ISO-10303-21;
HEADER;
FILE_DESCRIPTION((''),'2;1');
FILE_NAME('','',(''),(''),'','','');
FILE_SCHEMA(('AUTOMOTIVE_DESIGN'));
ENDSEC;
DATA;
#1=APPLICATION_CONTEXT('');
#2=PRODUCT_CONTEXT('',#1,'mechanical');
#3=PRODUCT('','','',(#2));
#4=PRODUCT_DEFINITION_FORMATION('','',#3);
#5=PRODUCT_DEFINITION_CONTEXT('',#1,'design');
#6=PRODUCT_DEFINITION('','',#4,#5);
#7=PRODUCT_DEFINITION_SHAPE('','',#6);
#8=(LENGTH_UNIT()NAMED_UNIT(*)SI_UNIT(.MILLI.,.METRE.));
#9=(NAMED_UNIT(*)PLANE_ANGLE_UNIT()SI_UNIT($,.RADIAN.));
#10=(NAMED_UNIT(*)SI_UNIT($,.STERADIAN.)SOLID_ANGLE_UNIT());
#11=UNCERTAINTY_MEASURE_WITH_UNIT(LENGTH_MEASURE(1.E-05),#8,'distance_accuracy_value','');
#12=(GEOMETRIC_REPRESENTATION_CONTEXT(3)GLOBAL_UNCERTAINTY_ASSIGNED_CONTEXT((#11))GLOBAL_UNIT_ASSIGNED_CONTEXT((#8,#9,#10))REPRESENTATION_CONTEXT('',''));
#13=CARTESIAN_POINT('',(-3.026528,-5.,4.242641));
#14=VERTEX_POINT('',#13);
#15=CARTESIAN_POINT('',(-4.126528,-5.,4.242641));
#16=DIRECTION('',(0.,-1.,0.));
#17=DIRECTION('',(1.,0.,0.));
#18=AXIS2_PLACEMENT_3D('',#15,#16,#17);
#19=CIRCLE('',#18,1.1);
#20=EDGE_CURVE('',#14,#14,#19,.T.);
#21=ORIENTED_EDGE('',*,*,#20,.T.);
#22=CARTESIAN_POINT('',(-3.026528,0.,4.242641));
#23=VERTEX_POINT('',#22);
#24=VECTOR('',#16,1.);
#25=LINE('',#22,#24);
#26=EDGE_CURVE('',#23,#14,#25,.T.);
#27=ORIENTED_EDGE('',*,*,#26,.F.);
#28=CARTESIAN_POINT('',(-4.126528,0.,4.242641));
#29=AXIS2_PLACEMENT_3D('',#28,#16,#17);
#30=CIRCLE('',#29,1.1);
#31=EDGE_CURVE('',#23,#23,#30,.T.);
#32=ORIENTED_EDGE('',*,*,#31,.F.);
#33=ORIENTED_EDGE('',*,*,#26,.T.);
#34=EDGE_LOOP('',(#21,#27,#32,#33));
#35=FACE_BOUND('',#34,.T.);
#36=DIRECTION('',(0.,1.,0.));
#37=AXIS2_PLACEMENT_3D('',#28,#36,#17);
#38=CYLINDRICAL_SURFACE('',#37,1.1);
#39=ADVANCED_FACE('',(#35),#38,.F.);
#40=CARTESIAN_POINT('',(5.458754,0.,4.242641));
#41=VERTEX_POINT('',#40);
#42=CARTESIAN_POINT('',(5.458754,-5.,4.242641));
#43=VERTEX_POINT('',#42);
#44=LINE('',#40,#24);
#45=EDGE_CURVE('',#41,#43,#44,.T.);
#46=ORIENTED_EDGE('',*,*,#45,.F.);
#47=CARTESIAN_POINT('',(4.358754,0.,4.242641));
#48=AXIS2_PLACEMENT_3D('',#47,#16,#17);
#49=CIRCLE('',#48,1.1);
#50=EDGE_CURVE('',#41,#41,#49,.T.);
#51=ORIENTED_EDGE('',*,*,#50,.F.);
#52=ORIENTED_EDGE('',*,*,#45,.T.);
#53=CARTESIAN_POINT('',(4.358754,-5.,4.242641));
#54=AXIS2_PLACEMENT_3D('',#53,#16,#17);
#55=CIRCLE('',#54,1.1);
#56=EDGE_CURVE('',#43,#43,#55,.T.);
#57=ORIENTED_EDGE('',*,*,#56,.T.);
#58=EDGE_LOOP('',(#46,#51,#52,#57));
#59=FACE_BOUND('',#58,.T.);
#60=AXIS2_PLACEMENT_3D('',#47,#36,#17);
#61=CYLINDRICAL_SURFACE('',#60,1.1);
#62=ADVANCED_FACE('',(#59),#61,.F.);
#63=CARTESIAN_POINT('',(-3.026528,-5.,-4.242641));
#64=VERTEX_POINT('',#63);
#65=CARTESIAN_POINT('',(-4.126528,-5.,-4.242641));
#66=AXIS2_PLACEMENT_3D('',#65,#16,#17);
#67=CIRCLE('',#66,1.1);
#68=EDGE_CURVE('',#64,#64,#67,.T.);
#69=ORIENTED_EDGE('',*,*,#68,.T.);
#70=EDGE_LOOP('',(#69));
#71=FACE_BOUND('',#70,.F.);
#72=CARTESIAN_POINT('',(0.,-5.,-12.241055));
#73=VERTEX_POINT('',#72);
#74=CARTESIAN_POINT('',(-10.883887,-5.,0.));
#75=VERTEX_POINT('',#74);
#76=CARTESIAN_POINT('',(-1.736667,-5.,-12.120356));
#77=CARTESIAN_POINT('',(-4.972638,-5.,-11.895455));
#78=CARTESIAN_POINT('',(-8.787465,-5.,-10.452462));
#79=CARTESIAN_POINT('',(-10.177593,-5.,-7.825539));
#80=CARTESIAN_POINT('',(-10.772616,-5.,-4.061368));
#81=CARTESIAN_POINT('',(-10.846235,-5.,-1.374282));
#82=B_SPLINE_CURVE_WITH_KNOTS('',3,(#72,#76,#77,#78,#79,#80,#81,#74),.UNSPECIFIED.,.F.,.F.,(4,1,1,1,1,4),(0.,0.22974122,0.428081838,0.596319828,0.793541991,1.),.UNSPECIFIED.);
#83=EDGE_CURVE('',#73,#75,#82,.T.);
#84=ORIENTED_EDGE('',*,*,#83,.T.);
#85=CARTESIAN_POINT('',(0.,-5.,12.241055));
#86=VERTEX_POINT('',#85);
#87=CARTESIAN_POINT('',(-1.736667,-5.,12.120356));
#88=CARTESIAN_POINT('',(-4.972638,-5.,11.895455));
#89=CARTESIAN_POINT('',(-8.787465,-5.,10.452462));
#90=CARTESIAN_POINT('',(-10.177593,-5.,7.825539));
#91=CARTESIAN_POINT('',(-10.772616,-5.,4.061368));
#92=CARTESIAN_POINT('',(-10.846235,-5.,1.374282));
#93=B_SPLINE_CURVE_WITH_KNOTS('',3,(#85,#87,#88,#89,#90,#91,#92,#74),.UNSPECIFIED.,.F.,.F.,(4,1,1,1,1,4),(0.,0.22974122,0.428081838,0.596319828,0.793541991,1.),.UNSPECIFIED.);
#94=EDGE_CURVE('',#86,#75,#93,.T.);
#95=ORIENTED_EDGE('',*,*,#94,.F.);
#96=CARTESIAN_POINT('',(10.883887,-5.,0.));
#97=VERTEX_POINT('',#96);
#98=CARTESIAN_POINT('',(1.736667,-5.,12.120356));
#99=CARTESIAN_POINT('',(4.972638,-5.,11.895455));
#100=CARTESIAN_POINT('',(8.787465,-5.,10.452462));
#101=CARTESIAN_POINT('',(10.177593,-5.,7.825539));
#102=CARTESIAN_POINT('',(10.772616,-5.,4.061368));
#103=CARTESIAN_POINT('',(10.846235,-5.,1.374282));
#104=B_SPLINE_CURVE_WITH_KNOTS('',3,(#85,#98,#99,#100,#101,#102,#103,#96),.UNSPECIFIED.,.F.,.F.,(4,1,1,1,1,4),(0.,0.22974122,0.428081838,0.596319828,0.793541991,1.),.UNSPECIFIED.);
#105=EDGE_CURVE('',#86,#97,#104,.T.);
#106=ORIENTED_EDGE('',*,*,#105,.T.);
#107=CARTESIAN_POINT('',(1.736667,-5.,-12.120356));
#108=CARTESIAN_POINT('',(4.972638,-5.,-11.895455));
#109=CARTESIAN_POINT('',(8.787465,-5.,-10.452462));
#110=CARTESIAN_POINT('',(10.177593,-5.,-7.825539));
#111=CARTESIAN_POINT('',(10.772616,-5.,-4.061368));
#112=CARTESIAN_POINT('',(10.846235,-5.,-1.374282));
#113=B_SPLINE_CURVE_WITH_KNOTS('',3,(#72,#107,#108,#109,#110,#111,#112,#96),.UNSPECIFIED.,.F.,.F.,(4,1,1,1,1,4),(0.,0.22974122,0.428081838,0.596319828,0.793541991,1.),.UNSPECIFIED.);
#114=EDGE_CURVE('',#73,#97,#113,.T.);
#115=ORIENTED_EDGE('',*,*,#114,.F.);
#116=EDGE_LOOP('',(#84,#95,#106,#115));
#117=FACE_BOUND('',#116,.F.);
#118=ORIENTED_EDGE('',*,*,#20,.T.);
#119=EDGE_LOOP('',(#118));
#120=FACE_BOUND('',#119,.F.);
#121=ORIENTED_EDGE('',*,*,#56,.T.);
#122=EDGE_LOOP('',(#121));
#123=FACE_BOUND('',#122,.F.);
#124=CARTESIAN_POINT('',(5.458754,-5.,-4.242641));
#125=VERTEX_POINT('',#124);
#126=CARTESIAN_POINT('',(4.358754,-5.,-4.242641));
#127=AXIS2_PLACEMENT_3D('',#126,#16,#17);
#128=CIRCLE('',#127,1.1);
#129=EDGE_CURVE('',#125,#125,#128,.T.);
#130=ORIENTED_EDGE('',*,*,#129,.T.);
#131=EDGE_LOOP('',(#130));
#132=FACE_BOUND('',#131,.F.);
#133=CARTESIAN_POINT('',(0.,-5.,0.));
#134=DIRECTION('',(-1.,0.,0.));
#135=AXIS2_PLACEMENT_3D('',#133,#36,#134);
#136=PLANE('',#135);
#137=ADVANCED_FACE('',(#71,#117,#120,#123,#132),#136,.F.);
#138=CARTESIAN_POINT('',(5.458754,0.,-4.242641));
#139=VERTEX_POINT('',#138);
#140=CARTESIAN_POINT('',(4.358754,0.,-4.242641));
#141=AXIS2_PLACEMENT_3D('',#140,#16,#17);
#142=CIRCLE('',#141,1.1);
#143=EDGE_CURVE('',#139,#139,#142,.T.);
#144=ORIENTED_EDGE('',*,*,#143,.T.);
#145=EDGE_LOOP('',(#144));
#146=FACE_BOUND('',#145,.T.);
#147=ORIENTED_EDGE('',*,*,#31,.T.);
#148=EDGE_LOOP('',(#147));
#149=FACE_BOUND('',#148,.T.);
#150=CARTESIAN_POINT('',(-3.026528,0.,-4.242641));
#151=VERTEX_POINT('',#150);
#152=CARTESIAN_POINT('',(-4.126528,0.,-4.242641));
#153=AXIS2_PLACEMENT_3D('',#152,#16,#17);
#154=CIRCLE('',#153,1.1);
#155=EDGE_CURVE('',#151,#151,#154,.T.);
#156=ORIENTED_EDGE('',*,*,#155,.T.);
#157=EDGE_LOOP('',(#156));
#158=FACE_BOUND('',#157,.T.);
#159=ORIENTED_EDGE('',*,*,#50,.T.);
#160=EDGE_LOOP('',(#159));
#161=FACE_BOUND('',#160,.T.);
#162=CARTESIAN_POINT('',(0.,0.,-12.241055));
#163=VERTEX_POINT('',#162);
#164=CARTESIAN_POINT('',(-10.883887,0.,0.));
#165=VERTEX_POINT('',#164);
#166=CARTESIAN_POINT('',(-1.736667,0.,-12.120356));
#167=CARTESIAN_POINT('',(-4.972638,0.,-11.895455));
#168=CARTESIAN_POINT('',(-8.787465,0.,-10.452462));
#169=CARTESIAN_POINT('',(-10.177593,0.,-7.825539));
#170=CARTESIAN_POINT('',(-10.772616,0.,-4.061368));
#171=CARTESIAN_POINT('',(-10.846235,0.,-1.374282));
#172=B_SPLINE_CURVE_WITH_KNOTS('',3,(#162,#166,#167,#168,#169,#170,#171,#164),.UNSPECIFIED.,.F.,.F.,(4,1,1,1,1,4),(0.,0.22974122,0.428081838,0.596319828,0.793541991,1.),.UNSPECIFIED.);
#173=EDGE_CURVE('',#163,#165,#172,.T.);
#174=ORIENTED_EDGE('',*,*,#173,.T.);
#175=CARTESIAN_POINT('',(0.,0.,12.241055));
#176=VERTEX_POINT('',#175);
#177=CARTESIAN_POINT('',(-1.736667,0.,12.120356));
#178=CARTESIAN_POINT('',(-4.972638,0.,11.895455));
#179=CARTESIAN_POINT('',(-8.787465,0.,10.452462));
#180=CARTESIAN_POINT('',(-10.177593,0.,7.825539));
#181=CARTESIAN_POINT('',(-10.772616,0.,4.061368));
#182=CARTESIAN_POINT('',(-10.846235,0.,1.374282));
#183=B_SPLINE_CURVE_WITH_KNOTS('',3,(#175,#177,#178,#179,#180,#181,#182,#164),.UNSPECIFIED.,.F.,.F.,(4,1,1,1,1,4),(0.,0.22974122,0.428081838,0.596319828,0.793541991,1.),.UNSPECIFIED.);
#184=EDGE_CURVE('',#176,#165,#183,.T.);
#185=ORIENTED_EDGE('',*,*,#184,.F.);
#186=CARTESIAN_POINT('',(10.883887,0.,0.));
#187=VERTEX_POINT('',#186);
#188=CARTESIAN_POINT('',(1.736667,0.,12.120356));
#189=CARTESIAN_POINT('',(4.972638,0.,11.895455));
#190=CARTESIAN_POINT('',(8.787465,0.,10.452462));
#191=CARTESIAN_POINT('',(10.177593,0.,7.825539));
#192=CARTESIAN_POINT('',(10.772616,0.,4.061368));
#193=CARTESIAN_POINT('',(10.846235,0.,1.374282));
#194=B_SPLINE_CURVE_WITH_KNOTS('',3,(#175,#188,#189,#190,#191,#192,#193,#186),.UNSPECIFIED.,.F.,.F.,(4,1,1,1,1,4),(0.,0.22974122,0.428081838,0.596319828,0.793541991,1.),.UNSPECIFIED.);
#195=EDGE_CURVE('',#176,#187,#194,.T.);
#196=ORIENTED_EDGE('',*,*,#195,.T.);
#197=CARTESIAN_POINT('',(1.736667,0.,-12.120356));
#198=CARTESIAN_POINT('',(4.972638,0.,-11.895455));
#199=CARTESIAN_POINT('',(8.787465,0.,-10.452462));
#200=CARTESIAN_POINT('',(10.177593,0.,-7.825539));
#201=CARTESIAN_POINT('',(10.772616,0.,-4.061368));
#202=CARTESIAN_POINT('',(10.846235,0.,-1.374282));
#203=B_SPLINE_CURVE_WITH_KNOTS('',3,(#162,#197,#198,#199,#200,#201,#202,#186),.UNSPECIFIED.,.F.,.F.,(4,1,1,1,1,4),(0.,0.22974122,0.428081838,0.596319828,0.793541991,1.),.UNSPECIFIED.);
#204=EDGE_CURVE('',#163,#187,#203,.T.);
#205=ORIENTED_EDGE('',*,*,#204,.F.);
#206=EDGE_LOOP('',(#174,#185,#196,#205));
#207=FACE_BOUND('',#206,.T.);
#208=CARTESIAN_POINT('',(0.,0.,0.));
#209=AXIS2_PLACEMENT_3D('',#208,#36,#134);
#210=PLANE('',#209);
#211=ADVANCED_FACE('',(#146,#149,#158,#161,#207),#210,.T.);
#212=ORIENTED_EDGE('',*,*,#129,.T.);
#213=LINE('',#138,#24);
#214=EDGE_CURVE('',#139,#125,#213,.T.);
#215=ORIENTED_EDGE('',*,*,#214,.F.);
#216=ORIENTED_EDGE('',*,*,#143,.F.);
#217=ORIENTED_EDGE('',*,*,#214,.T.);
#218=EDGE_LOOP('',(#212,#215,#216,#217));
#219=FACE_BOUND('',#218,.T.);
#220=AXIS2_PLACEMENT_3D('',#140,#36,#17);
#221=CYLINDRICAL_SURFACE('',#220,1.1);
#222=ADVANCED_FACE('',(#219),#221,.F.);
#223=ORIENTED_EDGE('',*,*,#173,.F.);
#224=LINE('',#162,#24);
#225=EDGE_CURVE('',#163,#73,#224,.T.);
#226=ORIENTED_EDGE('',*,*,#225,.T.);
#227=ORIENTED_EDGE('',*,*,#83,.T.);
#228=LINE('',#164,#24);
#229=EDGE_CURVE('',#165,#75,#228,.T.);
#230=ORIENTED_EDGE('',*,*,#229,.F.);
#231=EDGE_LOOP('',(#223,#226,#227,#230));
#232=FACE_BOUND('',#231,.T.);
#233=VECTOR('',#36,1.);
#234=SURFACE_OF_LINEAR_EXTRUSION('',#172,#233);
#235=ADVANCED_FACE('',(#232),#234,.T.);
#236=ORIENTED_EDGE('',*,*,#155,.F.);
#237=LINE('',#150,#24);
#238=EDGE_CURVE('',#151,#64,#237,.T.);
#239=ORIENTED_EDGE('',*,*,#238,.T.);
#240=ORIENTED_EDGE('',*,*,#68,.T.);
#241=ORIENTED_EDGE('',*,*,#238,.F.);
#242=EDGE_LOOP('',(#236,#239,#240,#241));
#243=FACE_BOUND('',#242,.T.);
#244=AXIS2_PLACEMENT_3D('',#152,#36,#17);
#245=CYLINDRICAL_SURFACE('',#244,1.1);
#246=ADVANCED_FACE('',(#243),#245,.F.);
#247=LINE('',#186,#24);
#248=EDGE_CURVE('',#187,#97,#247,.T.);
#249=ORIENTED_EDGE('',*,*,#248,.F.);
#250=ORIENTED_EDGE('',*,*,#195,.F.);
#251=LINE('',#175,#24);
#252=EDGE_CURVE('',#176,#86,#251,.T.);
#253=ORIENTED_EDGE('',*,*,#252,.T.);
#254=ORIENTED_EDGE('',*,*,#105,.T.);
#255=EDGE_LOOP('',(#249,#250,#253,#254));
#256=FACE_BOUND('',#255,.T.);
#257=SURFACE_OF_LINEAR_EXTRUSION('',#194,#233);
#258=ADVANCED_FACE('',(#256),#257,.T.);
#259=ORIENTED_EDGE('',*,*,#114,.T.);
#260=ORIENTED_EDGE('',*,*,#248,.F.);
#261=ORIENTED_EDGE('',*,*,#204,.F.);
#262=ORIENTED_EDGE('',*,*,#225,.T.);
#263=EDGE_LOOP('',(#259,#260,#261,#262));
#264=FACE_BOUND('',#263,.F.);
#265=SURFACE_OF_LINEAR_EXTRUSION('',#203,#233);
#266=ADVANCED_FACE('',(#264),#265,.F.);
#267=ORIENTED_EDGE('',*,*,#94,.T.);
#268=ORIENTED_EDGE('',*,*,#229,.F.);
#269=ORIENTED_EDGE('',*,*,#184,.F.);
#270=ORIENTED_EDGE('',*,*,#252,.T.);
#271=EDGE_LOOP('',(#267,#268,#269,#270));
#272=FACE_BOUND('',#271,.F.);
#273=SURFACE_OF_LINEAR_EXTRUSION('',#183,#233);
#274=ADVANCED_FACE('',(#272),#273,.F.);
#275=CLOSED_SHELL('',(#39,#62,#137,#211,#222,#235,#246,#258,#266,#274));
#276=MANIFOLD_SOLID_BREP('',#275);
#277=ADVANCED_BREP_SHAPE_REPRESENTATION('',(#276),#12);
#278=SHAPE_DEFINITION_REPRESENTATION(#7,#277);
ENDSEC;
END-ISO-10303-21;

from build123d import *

# Parameters (mm, degrees)
F0_R     = 1.1
F1_DEPTH = 5


with BuildPart() as f1:
    # F0 (on Front) → F1 (new body)
    with BuildSketch(Plane.XZ):
        with BuildLine():
            add(Edge.make_bspline(
                [(0, 12.241055), (1.7366674499, 12.1203561255), (4.9726378782, 11.8954552737), (8.7874652288, 10.4524618321), (10.1775930633, 7.8255389255), (10.7726161671, 4.0613675301), (10.8462352756, 1.3742818944), (10.883887, 0)],
                knots=[0, 0, 0, 0, 0.22974122, 0.4280818381, 0.5963198284, 0.7935419908, 1, 1, 1, 1], degree=3))
            add(Edge.make_bspline(
                [(0, 12.241055), (-1.7366674499, 12.1203561255), (-4.9726378782, 11.8954552737), (-8.7874652288, 10.4524618321), (-10.1775930633, 7.8255389255), (-10.7726161671, 4.0613675301), (-10.8462352756, 1.3742818944), (-10.883887, 0)],
                knots=[0, 0, 0, 0, 0.22974122, 0.4280818381, 0.5963198284, 0.7935419908, 1, 1, 1, 1], degree=3))
            add(Edge.make_bspline(
                [(0, -12.241055), (-1.7366674499, -12.1203561255), (-4.9726378782, -11.8954552737), (-8.7874652288, -10.4524618321), (-10.1775930633, -7.8255389255), (-10.7726161671, -4.0613675301), (-10.8462352756, -1.3742818944), (-10.883887, 0)],
                knots=[0, 0, 0, 0, 0.22974122, 0.4280818381, 0.5963198284, 0.7935419908, 1, 1, 1, 1], degree=3))
            add(Edge.make_bspline(
                [(0, -12.241055), (1.7366674499, -12.1203561255), (4.9726378782, -11.8954552737), (8.7874652288, -10.4524618321), (10.1775930633, -7.8255389255), (10.7726161671, -4.0613675301), (10.8462352756, -1.3742818944), (10.883887, 0)],
                knots=[0, 0, 0, 0, 0.22974122, 0.4280818381, 0.5963198284, 0.7935419908, 1, 1, 1, 1], degree=3))
        make_face()
        with Locations((-4.126528, -4.242641)):
            Circle(F0_R, mode=Mode.SUBTRACT)
        with Locations((4.358754, -4.242641)):
            Circle(F0_R, mode=Mode.SUBTRACT)
        with Locations((-4.126528, 4.242641)):
            Circle(F0_R, mode=Mode.SUBTRACT)
        with Locations((4.358754, 4.242641)):
            Circle(F0_R, mode=Mode.SUBTRACT)
    extrude(amount=F1_DEPTH)


solid = f1.part
